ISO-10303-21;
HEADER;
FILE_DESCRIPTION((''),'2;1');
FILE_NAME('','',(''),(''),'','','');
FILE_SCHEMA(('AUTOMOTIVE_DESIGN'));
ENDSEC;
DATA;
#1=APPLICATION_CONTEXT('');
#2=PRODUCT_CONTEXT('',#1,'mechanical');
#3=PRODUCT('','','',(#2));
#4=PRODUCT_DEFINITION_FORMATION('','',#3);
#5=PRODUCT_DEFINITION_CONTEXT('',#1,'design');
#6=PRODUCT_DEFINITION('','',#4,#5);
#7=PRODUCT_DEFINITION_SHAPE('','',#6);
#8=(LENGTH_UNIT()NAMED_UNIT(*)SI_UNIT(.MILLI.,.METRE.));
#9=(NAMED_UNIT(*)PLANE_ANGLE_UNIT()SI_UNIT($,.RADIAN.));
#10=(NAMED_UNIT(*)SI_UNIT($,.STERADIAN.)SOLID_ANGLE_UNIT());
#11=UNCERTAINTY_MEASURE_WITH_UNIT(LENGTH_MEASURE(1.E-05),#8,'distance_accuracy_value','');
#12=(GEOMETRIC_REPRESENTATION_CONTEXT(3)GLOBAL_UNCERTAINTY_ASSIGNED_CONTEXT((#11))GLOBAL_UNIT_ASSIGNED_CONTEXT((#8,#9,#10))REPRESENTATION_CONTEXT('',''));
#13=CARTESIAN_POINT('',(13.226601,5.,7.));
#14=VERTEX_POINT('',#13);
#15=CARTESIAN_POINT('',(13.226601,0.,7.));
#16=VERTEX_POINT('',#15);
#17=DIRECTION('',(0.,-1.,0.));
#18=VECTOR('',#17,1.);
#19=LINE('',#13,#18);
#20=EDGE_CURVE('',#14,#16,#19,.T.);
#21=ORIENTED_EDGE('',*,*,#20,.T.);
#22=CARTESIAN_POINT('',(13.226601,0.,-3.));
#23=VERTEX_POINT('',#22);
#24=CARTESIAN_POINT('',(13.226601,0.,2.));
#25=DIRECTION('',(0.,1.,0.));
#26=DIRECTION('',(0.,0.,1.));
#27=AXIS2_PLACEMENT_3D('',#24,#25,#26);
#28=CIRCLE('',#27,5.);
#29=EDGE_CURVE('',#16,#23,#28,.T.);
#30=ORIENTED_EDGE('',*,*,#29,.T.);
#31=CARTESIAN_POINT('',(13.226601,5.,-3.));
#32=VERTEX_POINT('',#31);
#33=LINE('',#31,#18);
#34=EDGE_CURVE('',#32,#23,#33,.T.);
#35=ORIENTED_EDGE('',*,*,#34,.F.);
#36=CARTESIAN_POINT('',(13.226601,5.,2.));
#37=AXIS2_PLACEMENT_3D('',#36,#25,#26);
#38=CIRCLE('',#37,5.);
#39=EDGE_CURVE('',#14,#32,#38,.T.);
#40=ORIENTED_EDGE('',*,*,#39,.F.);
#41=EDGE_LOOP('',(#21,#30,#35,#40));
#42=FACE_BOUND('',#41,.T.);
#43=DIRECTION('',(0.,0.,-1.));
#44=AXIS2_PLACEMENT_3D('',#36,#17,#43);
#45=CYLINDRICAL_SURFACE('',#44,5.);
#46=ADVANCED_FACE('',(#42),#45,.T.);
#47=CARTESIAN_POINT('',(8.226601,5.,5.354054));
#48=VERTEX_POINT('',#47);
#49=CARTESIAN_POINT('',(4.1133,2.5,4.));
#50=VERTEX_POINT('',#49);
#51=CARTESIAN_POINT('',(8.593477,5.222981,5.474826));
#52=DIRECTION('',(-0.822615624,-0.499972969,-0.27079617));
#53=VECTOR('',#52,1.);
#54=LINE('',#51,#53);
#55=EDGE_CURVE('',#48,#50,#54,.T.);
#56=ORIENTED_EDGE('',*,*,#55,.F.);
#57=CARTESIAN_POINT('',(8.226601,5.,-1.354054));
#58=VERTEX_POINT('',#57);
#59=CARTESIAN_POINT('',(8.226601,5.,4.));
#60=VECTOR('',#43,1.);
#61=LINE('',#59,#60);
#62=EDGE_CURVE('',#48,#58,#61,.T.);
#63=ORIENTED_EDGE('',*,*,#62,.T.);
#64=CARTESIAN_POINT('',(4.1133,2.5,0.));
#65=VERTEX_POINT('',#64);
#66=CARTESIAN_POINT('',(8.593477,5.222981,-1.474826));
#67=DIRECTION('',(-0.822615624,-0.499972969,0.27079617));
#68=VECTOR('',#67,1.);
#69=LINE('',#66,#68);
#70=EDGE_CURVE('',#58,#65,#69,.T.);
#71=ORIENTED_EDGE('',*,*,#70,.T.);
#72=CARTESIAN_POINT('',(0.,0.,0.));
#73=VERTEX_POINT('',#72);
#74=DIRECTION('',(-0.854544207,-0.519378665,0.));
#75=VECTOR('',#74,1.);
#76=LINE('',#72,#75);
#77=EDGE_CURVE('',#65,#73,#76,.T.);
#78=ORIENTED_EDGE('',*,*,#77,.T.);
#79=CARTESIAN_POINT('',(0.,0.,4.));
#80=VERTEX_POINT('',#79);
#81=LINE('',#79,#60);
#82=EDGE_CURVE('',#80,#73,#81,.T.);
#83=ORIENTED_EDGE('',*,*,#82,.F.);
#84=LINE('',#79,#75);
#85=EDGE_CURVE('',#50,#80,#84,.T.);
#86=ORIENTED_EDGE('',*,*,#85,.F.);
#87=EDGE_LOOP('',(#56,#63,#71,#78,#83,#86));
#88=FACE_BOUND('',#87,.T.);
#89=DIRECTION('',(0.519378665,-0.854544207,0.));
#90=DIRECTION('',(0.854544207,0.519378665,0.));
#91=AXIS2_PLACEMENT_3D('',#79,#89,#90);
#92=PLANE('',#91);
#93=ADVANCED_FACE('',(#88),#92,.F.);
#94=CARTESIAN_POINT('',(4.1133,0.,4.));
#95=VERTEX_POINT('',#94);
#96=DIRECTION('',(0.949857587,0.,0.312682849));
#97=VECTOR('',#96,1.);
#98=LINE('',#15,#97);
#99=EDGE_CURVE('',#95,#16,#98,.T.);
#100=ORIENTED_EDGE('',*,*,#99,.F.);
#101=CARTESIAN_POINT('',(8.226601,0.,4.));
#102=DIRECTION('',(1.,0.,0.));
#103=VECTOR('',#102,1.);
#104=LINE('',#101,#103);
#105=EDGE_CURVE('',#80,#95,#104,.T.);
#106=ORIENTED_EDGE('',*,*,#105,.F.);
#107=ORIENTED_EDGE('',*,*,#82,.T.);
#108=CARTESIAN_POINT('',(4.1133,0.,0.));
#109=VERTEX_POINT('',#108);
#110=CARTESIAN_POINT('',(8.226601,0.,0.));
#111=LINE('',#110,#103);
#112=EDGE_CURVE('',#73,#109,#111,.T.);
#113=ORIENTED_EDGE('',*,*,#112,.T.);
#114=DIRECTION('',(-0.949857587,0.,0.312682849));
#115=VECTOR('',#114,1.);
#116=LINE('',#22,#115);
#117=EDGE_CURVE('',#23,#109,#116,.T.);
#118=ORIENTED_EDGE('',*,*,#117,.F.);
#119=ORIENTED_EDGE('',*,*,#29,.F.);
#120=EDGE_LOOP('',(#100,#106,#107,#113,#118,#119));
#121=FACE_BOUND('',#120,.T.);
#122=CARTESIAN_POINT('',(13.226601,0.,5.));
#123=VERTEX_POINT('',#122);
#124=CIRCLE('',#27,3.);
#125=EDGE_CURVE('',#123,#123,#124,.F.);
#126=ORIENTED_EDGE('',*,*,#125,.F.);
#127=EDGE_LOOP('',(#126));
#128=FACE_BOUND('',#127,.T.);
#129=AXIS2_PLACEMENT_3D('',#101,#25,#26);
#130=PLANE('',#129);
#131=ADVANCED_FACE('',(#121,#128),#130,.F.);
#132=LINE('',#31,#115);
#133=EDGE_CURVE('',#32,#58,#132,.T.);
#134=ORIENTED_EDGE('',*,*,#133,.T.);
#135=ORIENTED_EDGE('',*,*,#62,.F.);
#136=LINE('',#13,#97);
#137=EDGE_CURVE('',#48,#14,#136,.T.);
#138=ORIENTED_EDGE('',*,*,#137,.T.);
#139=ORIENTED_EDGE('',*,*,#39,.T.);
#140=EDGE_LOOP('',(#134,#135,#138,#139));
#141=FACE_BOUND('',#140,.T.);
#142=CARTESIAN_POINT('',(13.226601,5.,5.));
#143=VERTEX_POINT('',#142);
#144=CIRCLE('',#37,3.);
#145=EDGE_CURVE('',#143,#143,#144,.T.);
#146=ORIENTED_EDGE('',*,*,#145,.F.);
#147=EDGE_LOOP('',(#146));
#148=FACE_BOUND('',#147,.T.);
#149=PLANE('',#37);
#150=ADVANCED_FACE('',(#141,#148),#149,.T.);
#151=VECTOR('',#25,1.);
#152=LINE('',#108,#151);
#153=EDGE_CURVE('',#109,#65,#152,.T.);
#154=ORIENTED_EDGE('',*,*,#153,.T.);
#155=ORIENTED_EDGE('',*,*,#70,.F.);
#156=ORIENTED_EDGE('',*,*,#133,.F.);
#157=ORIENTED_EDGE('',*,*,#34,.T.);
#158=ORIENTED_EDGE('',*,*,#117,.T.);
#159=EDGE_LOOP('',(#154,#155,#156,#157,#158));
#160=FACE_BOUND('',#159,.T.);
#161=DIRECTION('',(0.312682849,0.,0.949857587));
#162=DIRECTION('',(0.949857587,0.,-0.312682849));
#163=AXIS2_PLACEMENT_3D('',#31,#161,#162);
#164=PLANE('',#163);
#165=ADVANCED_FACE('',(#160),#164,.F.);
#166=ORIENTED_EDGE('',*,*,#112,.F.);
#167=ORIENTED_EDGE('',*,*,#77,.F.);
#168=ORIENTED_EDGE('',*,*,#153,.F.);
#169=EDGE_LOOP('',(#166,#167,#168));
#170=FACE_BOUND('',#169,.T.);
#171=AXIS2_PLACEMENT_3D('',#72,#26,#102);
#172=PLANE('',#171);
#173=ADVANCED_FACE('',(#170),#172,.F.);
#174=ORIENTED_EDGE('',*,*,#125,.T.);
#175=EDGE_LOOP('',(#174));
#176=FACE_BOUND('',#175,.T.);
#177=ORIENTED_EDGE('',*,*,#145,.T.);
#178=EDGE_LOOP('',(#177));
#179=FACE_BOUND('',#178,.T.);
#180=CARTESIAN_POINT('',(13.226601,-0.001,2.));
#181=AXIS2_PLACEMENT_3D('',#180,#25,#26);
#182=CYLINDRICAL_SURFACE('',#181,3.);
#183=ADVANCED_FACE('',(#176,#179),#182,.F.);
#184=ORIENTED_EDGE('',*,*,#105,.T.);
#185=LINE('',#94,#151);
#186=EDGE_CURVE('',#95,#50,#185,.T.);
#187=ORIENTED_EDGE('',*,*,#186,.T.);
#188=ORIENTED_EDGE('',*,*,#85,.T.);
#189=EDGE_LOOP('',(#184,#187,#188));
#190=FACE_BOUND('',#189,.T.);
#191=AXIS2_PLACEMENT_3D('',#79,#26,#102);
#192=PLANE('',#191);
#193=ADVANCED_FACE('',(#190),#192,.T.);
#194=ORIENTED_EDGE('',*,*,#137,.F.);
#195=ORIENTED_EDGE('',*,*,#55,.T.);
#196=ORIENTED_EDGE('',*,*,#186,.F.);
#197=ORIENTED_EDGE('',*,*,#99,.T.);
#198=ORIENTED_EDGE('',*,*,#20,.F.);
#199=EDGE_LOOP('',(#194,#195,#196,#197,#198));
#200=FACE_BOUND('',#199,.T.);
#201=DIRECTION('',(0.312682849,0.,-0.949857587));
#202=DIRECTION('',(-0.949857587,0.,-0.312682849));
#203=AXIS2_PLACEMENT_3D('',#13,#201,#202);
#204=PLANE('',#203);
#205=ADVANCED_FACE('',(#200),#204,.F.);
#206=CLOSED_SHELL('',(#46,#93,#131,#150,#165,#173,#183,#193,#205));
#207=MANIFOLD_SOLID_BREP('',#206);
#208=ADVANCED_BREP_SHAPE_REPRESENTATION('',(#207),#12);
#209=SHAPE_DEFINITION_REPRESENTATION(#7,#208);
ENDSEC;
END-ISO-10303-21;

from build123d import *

# Parameters (mm, degrees)
BOSS_EXTRUDE4_DEPTH = 4
BOSS_EXTRUDE6_DEPTH = 5
CUT_EXTRUDE1_REACH  = 22.155
CUT_EXTRUDE2_REACH  = 22.155
SKETCH9_R           = 3


with BuildPart() as part:
    # Sketch1 → Boss-Extrude4 (new body)
    with BuildSketch(Plane.XY):
        Polygon((0, 0), (8.226600985, 5), (8.226600985, 0), align=None)
    extrude(amount=BOSS_EXTRUDE4_DEPTH)

    # Sketch7 → Boss-Extrude6 (add)
    with BuildSketch(Plane(origin=(0, 0, 0), x_dir=(1, 0, 0), z_dir=(0, 1, 0))):
        with BuildLine():
            Line((13.226600985, 3), (4.113300493, 0))
            Line((4.113300493, 0), (8.226600985, 0))
            Line((8.226600985, 0), (8.226600985, -4))
            Line((8.226600985, -4), (4.113300493, -4))
            Line((4.113300493, -4), (13.226600985, -7))
            ThreePointArc((13.226600985, -7), (18.226600985, -2), (13.226600985, 3))
        make_face()
    extrude(amount=BOSS_EXTRUDE6_DEPTH)

    # Sketch8 → Cut-Extrude1 (cut, up to next)
    with BuildSketch(Plane.XY, mode=Mode.PRIVATE) as cut_extrude1_sk1:
        Polygon((4.113300493, 2.5), (4.113300493, 5), (8.226600985, 5), align=None)
    cut_extrude1_tool1 = extrude(cut_extrude1_sk1.sketch, amount=-CUT_EXTRUDE1_REACH, mode=Mode.PRIVATE) & part.part
    cut_extrude1 = cut_extrude1_tool1.solids().sort_by_distance((5.484401, 4.166667, 0))[0]
    add(cut_extrude1, mode=Mode.SUBTRACT)

    # Mirror1: Cut-Extrude1 across plane
    add(cut_extrude1.mirror(Plane.XY.offset(2)), mode=Mode.SUBTRACT)

    # Sketch9 → Cut-Extrude2 (cut, up to next)
    with BuildSketch(Plane(origin=(0, 5, 0), x_dir=(1, 0, 0), z_dir=(0, 1, 0)), mode=Mode.PRIVATE) as cut_extrude2_sk1:
        with Locations(Location((13.226600985, -2, 0), (0, 0, 270))):
            Circle(SKETCH9_R)
    cut_extrude2_tool1 = extrude(cut_extrude2_sk1.sketch, amount=-CUT_EXTRUDE2_REACH, mode=Mode.PRIVATE) & part.part
    add(cut_extrude2_tool1.solids().sort_by_distance((13.226601, 5, 2))[0], mode=Mode.SUBTRACT)


solid = part.part
